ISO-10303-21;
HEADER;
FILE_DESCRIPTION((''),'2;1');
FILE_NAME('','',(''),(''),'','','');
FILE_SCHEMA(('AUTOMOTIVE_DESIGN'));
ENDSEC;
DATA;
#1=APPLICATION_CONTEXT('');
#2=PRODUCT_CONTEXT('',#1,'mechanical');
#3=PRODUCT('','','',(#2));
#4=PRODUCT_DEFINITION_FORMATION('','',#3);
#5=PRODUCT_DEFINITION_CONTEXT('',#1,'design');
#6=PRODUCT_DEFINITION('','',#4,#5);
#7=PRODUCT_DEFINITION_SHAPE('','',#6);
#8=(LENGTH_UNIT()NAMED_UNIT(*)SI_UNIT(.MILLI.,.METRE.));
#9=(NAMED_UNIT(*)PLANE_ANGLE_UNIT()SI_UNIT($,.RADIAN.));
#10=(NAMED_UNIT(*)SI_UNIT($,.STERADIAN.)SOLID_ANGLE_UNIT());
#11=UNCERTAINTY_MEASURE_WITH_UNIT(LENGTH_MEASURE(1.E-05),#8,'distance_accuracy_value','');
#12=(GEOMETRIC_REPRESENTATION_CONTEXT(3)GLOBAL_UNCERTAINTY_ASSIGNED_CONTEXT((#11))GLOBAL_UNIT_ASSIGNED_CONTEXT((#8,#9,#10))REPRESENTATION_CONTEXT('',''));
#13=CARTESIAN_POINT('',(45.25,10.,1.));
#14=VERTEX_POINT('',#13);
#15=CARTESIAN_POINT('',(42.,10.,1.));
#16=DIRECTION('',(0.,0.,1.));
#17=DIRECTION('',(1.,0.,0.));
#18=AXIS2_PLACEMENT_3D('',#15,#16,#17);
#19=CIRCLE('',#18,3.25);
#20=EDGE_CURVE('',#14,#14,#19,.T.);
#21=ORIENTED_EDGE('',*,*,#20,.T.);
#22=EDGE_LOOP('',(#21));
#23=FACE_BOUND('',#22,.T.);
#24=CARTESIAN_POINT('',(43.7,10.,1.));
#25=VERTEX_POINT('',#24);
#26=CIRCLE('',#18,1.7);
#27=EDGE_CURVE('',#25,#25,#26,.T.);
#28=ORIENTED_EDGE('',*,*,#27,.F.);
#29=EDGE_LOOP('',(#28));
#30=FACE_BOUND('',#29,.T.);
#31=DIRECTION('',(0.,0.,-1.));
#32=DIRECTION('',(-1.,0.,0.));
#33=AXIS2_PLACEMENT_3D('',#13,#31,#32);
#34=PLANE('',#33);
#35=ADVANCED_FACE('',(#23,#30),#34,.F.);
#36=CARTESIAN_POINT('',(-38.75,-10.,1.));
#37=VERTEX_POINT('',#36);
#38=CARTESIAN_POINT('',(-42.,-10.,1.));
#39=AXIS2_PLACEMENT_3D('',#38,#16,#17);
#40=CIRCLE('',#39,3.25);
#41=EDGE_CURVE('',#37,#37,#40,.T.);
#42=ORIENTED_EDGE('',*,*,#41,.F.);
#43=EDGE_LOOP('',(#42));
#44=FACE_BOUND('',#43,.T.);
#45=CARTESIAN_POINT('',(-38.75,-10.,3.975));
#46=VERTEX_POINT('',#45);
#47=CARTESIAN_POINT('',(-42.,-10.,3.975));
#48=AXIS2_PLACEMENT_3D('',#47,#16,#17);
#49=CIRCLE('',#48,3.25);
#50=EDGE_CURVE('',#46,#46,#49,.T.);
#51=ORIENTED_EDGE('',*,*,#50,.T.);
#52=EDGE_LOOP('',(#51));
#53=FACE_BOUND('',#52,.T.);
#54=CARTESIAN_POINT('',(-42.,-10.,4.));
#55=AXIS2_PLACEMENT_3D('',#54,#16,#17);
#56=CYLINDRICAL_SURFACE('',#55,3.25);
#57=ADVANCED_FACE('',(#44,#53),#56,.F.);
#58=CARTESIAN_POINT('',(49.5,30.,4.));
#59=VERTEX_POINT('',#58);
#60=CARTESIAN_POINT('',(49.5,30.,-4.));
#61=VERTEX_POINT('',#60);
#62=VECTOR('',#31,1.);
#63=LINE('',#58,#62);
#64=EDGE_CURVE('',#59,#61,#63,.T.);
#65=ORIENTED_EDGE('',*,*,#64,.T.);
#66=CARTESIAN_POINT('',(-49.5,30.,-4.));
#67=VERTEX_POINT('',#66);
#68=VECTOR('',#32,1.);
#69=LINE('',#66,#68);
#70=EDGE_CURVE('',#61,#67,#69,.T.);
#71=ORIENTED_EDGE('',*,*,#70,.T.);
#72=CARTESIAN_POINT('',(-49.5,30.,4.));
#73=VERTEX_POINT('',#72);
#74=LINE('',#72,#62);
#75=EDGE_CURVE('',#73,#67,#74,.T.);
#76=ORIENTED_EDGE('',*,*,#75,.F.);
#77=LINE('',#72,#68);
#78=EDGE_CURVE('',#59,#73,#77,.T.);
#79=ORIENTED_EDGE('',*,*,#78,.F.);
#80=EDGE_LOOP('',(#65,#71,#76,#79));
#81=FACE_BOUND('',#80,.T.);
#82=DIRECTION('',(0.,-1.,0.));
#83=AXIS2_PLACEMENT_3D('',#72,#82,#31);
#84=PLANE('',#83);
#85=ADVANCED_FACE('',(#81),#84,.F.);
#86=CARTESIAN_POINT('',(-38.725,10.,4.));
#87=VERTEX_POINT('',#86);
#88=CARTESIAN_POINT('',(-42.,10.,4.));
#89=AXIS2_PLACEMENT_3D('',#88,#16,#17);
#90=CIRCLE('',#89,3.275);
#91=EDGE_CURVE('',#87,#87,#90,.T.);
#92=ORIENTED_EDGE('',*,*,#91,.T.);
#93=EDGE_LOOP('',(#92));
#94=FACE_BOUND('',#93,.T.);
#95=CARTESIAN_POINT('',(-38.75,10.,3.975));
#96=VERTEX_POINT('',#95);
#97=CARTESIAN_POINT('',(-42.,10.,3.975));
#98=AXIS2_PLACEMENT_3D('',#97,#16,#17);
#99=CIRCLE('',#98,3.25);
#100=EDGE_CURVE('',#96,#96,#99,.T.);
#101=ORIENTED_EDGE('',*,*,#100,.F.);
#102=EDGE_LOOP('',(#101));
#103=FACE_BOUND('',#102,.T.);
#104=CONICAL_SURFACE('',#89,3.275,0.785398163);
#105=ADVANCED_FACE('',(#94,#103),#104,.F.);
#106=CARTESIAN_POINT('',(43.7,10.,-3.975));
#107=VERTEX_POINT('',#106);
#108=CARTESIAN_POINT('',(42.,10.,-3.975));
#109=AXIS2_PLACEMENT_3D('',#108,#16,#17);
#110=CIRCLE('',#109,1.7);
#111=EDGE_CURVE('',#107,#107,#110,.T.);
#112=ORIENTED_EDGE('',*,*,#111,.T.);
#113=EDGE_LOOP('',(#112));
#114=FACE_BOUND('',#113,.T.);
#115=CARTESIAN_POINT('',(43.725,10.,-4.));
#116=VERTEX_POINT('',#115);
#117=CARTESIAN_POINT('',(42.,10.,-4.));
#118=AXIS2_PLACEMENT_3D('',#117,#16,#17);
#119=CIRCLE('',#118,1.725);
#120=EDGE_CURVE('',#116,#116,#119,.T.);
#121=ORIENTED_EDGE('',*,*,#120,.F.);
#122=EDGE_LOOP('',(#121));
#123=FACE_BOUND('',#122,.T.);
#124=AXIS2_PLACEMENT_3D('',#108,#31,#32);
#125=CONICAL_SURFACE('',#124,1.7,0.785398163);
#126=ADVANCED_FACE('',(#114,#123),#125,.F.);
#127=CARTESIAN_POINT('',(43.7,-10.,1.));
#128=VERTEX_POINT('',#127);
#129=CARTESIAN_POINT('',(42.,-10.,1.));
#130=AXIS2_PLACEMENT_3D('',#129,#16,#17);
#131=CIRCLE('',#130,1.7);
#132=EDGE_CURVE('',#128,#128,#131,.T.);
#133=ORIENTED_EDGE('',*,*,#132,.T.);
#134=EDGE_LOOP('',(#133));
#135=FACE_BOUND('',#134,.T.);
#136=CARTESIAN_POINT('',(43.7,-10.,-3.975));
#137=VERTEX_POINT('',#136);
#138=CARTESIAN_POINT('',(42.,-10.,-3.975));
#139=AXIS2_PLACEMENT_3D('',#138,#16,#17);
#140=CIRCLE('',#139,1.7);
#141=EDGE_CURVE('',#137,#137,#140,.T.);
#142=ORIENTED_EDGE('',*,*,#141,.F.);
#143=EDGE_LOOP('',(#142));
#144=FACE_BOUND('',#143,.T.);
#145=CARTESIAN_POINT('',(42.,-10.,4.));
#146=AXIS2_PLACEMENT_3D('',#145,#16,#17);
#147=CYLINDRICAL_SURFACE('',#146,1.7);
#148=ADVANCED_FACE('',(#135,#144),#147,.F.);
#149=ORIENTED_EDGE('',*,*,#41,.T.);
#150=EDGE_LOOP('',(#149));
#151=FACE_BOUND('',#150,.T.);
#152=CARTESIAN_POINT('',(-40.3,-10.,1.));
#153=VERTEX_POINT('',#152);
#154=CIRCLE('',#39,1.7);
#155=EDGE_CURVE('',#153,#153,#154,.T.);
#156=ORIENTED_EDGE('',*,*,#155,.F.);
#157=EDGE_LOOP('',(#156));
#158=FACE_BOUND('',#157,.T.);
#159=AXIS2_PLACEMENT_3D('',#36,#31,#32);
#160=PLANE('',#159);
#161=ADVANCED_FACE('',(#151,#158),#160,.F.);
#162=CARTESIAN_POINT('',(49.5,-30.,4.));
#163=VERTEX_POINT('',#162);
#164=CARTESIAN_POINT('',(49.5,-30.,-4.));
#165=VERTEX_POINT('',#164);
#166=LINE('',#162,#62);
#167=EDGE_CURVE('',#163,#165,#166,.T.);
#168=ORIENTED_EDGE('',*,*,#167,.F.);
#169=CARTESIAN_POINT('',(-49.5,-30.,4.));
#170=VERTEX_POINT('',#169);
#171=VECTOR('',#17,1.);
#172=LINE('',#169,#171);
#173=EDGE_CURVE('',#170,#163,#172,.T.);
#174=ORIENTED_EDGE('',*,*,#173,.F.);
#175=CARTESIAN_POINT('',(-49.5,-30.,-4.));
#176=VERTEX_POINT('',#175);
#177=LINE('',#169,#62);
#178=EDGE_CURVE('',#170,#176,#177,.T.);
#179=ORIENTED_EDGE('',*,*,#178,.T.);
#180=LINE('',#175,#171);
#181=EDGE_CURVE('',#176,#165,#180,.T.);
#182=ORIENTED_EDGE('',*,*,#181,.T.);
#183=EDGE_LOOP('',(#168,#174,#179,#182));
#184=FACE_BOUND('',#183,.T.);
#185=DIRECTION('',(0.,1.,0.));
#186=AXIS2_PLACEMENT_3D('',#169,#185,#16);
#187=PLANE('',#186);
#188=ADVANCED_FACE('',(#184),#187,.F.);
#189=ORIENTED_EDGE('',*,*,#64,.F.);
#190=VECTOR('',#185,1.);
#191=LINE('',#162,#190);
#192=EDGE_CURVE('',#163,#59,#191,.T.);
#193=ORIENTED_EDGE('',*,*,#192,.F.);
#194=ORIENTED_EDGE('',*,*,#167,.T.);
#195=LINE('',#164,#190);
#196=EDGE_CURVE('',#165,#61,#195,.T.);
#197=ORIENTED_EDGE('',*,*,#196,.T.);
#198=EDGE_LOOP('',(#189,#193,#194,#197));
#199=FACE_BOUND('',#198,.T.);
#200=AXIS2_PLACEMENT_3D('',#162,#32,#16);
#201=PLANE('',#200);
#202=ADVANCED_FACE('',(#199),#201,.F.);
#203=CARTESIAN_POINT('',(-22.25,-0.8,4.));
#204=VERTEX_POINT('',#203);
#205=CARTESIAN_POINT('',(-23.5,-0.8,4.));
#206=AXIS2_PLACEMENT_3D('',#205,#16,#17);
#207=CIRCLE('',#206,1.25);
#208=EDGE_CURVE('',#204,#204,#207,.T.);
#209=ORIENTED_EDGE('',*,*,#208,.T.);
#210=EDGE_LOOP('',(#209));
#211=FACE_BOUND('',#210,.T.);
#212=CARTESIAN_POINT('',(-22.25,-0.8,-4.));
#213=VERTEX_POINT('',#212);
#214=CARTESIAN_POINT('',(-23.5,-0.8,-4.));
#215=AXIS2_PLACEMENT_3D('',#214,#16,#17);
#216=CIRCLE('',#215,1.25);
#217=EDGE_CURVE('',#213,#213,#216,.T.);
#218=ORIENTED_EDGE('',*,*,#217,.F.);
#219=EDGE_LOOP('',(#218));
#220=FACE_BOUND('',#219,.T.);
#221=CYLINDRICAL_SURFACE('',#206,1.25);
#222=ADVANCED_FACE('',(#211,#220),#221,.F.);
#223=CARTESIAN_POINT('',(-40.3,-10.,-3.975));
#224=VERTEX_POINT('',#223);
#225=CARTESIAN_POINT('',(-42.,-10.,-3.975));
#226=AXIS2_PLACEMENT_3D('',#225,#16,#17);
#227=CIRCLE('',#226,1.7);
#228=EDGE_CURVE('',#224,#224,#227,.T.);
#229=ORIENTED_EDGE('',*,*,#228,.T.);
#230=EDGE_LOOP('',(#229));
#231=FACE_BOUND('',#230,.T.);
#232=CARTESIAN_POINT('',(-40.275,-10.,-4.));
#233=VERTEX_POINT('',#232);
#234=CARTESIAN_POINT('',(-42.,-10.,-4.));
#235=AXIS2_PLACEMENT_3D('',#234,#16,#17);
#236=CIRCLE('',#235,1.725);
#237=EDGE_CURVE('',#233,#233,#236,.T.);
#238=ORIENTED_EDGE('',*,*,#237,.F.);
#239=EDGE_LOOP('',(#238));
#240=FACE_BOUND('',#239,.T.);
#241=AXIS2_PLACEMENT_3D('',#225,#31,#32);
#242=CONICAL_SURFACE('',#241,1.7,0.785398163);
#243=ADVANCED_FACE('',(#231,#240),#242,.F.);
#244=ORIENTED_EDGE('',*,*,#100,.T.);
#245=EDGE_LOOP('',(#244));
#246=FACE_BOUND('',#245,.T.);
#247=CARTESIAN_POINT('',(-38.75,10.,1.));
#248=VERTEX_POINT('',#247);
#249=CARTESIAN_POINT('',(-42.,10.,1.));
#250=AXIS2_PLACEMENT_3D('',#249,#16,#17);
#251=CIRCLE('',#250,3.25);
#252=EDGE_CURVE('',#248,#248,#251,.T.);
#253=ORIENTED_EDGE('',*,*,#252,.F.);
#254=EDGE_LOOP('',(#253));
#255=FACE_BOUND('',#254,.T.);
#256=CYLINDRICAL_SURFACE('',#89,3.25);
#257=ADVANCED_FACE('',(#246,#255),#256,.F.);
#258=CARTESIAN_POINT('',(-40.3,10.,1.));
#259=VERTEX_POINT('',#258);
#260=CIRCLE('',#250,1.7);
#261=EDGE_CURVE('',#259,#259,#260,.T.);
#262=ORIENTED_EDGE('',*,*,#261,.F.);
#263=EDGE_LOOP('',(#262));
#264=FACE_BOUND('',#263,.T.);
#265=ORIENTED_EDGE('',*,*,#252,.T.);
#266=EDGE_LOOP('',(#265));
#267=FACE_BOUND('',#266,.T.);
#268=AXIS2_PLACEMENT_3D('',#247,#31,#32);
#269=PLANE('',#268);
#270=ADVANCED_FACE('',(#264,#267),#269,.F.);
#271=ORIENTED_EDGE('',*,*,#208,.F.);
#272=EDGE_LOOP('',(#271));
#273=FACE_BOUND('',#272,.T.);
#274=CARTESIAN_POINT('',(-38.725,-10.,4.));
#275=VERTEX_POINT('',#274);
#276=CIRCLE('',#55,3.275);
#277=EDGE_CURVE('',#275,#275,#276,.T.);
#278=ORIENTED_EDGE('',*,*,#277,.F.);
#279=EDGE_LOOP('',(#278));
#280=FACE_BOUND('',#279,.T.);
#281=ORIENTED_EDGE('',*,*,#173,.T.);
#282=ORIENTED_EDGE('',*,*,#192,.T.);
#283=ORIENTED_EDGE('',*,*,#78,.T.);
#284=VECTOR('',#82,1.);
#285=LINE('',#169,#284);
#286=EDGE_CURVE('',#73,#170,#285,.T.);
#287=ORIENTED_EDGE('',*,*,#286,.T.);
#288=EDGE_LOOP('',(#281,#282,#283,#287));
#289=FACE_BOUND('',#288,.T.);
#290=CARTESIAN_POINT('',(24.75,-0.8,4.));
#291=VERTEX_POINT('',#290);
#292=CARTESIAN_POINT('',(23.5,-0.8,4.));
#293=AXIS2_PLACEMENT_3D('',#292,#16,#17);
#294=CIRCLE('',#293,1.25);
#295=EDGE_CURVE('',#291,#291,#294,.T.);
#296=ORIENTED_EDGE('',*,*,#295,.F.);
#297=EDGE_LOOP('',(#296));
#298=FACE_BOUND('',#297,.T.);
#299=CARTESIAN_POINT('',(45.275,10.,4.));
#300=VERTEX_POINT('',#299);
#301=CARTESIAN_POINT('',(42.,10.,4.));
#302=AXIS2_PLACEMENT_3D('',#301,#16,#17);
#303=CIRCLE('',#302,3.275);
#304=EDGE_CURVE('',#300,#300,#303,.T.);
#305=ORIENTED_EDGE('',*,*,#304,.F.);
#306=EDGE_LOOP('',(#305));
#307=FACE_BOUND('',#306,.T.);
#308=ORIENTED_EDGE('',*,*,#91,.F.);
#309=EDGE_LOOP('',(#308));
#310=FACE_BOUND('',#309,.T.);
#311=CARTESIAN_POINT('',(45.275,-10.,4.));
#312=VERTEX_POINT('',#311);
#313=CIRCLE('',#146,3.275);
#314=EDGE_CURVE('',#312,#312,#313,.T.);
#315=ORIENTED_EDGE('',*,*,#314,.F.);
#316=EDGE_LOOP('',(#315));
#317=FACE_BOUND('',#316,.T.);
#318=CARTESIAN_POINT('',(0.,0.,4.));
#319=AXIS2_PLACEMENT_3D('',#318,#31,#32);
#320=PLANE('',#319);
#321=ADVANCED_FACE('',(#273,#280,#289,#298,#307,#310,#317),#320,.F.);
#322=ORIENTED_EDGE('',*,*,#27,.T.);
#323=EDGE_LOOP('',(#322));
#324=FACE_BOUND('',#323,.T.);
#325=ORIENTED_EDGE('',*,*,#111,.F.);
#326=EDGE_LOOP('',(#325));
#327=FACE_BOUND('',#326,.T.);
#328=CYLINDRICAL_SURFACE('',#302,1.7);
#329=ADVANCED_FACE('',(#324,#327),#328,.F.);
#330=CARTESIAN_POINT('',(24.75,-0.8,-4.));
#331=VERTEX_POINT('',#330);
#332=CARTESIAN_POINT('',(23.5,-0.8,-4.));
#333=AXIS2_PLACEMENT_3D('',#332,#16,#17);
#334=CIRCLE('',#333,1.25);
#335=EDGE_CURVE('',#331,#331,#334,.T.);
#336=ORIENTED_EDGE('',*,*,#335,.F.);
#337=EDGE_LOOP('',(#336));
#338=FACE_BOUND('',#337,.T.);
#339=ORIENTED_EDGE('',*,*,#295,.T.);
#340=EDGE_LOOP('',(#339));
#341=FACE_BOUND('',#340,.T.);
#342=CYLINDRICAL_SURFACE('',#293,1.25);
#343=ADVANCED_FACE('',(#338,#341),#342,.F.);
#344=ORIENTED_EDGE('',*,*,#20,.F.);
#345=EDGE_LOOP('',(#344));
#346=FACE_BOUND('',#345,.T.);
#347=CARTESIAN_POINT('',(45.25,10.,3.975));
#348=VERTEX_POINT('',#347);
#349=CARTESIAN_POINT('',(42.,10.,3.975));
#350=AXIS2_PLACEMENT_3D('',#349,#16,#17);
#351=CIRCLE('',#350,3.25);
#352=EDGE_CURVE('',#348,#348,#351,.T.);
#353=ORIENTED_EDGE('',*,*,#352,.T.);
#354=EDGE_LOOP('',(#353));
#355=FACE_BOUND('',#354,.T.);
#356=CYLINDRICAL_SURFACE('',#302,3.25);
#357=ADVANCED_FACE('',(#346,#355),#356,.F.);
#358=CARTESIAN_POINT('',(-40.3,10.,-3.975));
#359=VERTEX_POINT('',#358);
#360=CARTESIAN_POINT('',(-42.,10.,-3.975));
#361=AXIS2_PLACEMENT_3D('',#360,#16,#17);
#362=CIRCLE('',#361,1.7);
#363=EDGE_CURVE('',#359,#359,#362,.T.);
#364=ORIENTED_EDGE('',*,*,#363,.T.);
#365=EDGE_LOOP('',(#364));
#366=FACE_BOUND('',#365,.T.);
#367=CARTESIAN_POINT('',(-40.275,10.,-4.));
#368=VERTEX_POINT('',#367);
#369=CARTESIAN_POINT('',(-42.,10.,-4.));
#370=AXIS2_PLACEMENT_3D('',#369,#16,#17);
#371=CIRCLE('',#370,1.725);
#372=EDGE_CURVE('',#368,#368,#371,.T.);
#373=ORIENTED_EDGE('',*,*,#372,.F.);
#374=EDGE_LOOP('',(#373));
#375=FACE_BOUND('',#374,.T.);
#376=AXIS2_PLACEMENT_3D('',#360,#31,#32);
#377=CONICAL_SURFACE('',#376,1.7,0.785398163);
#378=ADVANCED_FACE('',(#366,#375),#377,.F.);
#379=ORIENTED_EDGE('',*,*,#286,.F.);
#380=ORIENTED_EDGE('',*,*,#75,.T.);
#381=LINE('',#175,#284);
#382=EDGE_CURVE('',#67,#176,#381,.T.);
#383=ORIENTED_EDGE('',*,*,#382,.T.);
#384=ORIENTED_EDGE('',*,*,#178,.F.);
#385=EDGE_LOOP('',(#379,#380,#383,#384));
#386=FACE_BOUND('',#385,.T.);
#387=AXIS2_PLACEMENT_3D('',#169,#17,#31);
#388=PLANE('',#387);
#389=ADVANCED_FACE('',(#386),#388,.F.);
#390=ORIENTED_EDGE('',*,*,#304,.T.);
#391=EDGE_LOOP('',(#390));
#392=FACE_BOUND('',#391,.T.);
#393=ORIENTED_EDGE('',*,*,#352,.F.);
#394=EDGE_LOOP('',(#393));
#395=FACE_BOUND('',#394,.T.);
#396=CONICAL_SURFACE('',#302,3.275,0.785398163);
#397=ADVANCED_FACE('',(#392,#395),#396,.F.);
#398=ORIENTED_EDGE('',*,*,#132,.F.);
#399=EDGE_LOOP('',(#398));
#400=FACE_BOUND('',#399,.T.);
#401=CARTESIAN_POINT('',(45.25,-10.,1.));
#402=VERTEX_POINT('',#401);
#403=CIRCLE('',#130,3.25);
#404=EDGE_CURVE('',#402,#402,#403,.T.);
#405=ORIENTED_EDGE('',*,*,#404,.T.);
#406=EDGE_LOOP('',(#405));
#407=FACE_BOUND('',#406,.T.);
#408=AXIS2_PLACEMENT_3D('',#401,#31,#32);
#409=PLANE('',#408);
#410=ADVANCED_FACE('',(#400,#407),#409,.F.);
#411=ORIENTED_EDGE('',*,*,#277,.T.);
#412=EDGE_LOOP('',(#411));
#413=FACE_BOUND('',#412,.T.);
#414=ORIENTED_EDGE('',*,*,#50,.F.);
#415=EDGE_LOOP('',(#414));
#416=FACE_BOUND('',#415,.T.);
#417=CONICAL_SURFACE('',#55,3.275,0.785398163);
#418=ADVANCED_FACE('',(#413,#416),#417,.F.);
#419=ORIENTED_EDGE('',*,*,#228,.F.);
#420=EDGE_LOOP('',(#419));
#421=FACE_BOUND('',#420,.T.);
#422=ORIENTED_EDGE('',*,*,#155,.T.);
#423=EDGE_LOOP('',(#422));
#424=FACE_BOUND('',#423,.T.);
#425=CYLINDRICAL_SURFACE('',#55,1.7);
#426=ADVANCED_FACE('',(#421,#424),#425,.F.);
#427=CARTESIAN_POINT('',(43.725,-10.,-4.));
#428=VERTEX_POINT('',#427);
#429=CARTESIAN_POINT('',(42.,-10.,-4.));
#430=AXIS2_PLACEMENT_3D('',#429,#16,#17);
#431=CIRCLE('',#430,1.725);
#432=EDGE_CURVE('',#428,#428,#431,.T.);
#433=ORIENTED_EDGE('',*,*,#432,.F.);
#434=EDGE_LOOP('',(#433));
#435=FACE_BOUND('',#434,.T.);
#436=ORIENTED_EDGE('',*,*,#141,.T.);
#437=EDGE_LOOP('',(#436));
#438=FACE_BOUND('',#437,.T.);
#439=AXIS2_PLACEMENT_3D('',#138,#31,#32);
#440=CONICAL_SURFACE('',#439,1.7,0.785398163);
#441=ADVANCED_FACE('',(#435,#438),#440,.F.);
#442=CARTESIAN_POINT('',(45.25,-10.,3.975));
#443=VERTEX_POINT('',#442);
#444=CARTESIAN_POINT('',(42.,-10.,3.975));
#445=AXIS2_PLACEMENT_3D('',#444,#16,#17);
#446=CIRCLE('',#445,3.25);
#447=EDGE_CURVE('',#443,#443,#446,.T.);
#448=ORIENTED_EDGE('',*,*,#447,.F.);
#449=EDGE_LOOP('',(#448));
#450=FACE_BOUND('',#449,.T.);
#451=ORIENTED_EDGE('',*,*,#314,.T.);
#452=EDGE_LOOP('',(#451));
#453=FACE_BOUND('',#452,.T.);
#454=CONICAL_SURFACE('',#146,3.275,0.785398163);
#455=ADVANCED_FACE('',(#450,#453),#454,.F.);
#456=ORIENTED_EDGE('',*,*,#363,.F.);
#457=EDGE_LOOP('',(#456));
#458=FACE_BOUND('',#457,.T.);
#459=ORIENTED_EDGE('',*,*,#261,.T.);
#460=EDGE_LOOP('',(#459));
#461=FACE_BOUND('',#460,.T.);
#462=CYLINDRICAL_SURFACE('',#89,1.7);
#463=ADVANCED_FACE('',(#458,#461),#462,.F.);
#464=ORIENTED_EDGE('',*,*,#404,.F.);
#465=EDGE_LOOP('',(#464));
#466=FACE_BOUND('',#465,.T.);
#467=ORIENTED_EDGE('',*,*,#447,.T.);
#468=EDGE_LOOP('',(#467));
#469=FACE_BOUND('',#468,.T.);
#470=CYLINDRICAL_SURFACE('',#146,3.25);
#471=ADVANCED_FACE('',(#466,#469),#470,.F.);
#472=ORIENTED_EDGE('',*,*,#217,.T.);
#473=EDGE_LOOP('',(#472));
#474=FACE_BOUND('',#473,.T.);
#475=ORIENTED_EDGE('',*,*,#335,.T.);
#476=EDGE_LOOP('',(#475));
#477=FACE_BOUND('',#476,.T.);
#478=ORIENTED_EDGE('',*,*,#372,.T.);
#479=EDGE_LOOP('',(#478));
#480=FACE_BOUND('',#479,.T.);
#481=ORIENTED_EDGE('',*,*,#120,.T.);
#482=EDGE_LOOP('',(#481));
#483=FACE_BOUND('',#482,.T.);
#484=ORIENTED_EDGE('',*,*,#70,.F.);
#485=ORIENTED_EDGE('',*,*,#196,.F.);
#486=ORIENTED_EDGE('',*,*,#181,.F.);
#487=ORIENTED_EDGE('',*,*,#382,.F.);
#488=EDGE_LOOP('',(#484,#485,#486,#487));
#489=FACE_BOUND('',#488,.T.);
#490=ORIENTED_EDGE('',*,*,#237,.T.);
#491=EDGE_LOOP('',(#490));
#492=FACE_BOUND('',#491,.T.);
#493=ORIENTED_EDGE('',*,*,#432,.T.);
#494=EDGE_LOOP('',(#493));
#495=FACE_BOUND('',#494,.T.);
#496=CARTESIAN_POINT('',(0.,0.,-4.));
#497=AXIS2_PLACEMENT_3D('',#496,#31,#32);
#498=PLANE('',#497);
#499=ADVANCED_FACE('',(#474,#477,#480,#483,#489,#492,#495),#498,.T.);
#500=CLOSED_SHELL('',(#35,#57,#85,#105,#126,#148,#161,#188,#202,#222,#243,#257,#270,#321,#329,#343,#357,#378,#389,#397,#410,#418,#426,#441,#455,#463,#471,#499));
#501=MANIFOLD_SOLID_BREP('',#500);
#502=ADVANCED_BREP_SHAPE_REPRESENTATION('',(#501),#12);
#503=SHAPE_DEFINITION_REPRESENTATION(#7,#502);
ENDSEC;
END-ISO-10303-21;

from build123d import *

# Parameters (mm, degrees)
SKETCH1_W                     = 99
SKETCH1_H                     = 60
BOSS_EXTRUDE1_DEPTH           = 4
CBORE_FOR_M3_SHCS1_AT_2_COUNT = 2
CBORE_FOR_M3_SHCS1_AT_2_PITCH = 20
M3X0_5_TAPPED_HOLE1_D         = 2.5


with BuildPart() as part:
    # Sketch1 → Boss-Extrude1 (new body, symmetric)
    with BuildSketch(Plane.XY):
        Rectangle(SKETCH1_W, SKETCH1_H)
    extrude(amount=BOSS_EXTRUDE1_DEPTH, both=True)

    # Sketch3 → CBORE for M3 SHCS1 (revolve, cut)
    with BuildSketch(Plane(origin=(-42, 10, 4), x_dir=(0, -1, 0), z_dir=(1, 0, 0))):
        Polygon((0, 0), (0, 8), (1.725, 8), (1.7, 7.975), (1.7, 3), (3.25, 3), (3.25, 0.025), (3.275, 0), align=None)
    cbore_for_m3_shcs1 = revolve(axis=Axis((-42, 10, 10.35), (0, 0, -1)), mode=Mode.SUBTRACT)

    # CBORE for M3 SHCS1 at 2: CBORE for M3 SHCS1 ×2
    with Locations(*[(0, -i * CBORE_FOR_M3_SHCS1_AT_2_PITCH, 0) for i in range(1, CBORE_FOR_M3_SHCS1_AT_2_COUNT)]):
        add(cbore_for_m3_shcs1, mode=Mode.SUBTRACT)

    # M3x0.5 Tapped Hole1 (through all)
    with Locations(Plane.XY.offset(4)):
        with Locations((-23.5, -0.8)):
            m3x0_5_tapped_hole1 = Hole(M3X0_5_TAPPED_HOLE1_D / 2)

    # Mirror1: M3x0.5 Tapped Hole1, CBORE for M3 SHCS1 across plane
    add(m3x0_5_tapped_hole1.mirror(Plane(origin=(0, 0, 0), x_dir=(0, 0, 1), z_dir=(1, 0, 0))), mode=Mode.SUBTRACT)
    add(cbore_for_m3_shcs1.mirror(Plane(origin=(0, 0, 0), x_dir=(0, 0, 1), z_dir=(1, 0, 0))), mode=Mode.SUBTRACT)

    # Mirror1 copy 1 sketch → Mirror1 copy 1 (revolve, cut)
    with BuildSketch(Plane(origin=(42, -10, 4), x_dir=(0, -1, 0), z_dir=(-1, 0, 0))):
        Polygon((0, 0), (0, -8), (1.725, -8), (1.7, -7.975), (1.7, -3), (3.25, -3), (3.25, -0.025), (3.275, 0), align=None)
    revolve(axis=Axis((42, -10, 10.35), (0, 0, 1)), mode=Mode.SUBTRACT)


solid = part.part
